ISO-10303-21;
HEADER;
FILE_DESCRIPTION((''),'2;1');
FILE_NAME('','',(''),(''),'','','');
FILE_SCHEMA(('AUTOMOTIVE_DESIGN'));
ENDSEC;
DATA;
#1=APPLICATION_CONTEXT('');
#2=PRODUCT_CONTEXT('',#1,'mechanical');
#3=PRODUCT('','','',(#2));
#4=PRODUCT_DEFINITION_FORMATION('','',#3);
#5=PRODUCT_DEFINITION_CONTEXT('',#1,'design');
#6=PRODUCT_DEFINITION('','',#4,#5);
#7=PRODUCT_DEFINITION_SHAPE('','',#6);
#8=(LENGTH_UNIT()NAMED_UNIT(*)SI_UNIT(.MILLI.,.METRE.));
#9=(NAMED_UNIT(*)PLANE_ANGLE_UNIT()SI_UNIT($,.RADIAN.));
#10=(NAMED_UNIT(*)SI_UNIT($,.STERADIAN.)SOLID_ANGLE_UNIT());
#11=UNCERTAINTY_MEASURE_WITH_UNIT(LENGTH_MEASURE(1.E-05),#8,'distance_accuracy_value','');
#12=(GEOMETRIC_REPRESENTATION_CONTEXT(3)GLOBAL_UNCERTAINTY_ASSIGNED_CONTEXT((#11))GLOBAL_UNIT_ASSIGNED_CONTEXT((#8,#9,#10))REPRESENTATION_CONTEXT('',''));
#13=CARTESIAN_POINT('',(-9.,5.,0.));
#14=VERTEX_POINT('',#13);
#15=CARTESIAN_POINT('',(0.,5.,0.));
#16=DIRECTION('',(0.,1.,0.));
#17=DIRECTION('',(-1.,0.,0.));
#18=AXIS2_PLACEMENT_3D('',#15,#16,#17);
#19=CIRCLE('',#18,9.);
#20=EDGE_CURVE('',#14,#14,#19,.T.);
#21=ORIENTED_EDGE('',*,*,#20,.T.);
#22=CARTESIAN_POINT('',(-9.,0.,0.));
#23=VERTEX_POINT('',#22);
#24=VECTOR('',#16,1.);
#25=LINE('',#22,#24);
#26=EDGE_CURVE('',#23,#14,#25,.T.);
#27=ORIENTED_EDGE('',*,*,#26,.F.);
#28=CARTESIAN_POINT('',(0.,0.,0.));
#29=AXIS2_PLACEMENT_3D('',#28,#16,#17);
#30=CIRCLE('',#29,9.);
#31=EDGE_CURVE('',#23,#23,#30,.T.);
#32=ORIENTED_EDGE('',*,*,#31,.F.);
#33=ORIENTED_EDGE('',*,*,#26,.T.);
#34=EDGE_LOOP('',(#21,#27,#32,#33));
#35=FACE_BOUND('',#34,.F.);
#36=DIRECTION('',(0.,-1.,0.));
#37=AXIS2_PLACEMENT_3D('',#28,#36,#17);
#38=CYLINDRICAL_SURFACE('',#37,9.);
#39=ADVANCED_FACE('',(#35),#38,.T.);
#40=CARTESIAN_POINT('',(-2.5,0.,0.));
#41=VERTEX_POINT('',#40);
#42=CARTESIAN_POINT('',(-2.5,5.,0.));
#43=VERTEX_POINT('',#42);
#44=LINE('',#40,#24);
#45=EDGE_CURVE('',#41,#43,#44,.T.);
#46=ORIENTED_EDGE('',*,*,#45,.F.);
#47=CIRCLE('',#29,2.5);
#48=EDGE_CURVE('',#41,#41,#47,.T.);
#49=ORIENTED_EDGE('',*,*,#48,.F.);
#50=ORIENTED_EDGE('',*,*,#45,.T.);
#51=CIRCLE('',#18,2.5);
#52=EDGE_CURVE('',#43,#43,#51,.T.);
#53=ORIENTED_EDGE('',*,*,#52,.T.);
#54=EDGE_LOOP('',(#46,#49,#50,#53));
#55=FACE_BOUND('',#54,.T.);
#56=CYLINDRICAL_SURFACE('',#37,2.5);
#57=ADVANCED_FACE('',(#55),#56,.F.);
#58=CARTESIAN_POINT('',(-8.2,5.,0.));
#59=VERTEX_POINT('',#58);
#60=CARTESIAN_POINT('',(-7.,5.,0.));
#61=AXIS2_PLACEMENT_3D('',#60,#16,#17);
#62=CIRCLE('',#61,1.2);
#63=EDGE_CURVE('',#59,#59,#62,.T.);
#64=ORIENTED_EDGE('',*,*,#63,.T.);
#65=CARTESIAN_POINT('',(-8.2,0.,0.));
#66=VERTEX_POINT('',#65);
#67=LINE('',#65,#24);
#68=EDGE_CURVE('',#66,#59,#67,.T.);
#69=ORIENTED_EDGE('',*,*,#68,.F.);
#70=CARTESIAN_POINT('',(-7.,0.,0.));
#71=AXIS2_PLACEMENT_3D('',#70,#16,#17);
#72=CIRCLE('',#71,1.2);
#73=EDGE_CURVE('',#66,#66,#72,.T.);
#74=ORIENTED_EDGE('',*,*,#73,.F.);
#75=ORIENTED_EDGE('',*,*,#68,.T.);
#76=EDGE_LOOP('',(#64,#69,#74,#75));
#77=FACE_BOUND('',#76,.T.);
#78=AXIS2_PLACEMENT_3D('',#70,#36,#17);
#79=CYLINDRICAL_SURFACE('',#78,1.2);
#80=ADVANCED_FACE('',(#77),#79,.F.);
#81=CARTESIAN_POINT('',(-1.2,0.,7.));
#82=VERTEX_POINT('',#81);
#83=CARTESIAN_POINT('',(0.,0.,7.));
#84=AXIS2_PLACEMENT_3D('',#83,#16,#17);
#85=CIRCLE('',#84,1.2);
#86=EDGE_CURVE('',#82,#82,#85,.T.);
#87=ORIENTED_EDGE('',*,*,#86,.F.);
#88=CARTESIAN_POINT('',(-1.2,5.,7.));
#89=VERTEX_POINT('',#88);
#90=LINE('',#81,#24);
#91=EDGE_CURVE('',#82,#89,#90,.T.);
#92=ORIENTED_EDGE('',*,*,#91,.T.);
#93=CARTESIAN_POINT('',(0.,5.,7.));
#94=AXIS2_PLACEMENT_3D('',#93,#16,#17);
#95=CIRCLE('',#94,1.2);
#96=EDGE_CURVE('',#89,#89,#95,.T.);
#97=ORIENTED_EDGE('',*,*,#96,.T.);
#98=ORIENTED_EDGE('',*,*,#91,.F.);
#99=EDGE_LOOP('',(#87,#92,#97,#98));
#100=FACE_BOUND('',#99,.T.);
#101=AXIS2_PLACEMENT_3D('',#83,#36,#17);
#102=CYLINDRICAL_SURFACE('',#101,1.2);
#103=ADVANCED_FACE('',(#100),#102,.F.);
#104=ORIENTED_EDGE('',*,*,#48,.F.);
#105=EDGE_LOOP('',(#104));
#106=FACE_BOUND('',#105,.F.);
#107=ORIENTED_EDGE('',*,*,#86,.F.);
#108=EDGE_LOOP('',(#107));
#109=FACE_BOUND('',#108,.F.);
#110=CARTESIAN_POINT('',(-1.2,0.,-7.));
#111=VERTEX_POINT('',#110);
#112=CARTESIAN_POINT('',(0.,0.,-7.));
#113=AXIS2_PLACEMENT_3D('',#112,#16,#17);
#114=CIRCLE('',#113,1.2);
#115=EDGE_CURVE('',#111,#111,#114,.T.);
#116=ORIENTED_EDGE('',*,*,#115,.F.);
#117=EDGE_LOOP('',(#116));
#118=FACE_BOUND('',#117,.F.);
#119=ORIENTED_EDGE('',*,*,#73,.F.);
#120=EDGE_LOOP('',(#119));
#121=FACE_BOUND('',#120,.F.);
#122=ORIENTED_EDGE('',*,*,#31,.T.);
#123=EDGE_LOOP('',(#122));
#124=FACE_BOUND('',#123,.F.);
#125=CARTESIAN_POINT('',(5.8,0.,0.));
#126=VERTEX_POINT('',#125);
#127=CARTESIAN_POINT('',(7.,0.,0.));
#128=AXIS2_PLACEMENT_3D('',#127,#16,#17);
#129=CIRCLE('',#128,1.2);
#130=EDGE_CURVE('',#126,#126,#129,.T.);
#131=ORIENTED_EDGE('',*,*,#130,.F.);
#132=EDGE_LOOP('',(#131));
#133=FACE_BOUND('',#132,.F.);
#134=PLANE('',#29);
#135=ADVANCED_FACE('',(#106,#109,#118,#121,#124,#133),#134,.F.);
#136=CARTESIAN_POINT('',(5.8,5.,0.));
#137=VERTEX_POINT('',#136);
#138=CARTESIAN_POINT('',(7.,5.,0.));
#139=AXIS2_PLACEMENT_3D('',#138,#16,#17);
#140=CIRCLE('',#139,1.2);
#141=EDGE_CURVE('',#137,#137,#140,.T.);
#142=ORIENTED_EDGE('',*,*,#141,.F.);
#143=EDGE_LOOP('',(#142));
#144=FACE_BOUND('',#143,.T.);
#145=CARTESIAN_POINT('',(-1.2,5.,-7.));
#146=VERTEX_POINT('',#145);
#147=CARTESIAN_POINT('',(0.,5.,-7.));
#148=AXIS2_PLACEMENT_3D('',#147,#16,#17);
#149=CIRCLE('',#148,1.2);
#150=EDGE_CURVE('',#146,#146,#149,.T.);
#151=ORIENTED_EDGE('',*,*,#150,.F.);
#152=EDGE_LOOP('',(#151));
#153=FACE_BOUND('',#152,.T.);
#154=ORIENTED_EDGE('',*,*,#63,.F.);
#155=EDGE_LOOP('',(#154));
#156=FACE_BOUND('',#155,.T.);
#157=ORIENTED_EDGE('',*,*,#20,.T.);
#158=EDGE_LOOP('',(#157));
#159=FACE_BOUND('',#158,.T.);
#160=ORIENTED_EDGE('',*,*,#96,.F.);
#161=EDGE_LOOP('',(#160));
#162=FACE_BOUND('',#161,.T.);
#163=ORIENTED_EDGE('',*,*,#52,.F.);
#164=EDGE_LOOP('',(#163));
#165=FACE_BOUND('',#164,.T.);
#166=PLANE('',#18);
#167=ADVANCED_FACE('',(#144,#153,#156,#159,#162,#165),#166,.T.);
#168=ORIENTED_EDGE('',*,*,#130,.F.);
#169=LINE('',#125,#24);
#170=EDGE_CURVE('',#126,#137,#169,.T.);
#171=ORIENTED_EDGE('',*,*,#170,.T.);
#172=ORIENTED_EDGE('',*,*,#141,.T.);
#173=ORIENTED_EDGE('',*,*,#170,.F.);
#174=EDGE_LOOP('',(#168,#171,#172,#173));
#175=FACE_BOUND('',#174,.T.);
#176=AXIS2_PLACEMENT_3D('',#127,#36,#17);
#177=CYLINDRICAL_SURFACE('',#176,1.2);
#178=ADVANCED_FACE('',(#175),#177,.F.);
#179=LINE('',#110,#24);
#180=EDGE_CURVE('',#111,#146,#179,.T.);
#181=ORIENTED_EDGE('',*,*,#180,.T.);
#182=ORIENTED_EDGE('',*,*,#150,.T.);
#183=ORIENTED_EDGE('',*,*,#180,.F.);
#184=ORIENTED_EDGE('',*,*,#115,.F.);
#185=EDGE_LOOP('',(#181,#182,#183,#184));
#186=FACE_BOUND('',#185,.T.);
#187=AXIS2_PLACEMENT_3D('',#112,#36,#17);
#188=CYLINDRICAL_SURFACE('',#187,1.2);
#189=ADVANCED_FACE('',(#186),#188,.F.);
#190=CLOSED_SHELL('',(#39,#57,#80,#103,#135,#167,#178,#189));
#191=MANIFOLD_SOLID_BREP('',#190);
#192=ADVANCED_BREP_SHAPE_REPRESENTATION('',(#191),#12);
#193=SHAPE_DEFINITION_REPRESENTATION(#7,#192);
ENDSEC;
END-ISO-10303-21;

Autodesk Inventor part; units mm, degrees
ref_plane "YZ Plane" through (0, 0, 0) normal (1, 0, 0) x (0, 1, 0)
ref_plane "XZ Plane" through (0, 0, 0) normal (0, 1, 0) x (-1, 0, 0)
ref_plane "XY Plane" through (0, 0, 0) normal (0, 0, 1) x (1, 0, 0)
sketch "Sketch1" plane through (0, 0, 0) normal (0, 1, 0) x (-1, 0, 0)
  circle A0 centre (0, 0) radius 9
  circle A1 centre (0, 0) radius 2.5
  circle A2 centre (7, 0) radius 1.2
  circle A3 centre (0, 7) radius 1.2
  circle A4 centre (-7, 0) radius 1.2
  circle A5 centre (0, -7) radius 1.2
  dimension "d0" = 18
  dimension "d1" = 5
  dimension "d2" = 2.4
  dimension "d3" = 7
  dimension "d6" = 360
extrude "Extrusion1" add sketch "Sketch1" along normal blind 5
properties part number "Motor_adaptor"
